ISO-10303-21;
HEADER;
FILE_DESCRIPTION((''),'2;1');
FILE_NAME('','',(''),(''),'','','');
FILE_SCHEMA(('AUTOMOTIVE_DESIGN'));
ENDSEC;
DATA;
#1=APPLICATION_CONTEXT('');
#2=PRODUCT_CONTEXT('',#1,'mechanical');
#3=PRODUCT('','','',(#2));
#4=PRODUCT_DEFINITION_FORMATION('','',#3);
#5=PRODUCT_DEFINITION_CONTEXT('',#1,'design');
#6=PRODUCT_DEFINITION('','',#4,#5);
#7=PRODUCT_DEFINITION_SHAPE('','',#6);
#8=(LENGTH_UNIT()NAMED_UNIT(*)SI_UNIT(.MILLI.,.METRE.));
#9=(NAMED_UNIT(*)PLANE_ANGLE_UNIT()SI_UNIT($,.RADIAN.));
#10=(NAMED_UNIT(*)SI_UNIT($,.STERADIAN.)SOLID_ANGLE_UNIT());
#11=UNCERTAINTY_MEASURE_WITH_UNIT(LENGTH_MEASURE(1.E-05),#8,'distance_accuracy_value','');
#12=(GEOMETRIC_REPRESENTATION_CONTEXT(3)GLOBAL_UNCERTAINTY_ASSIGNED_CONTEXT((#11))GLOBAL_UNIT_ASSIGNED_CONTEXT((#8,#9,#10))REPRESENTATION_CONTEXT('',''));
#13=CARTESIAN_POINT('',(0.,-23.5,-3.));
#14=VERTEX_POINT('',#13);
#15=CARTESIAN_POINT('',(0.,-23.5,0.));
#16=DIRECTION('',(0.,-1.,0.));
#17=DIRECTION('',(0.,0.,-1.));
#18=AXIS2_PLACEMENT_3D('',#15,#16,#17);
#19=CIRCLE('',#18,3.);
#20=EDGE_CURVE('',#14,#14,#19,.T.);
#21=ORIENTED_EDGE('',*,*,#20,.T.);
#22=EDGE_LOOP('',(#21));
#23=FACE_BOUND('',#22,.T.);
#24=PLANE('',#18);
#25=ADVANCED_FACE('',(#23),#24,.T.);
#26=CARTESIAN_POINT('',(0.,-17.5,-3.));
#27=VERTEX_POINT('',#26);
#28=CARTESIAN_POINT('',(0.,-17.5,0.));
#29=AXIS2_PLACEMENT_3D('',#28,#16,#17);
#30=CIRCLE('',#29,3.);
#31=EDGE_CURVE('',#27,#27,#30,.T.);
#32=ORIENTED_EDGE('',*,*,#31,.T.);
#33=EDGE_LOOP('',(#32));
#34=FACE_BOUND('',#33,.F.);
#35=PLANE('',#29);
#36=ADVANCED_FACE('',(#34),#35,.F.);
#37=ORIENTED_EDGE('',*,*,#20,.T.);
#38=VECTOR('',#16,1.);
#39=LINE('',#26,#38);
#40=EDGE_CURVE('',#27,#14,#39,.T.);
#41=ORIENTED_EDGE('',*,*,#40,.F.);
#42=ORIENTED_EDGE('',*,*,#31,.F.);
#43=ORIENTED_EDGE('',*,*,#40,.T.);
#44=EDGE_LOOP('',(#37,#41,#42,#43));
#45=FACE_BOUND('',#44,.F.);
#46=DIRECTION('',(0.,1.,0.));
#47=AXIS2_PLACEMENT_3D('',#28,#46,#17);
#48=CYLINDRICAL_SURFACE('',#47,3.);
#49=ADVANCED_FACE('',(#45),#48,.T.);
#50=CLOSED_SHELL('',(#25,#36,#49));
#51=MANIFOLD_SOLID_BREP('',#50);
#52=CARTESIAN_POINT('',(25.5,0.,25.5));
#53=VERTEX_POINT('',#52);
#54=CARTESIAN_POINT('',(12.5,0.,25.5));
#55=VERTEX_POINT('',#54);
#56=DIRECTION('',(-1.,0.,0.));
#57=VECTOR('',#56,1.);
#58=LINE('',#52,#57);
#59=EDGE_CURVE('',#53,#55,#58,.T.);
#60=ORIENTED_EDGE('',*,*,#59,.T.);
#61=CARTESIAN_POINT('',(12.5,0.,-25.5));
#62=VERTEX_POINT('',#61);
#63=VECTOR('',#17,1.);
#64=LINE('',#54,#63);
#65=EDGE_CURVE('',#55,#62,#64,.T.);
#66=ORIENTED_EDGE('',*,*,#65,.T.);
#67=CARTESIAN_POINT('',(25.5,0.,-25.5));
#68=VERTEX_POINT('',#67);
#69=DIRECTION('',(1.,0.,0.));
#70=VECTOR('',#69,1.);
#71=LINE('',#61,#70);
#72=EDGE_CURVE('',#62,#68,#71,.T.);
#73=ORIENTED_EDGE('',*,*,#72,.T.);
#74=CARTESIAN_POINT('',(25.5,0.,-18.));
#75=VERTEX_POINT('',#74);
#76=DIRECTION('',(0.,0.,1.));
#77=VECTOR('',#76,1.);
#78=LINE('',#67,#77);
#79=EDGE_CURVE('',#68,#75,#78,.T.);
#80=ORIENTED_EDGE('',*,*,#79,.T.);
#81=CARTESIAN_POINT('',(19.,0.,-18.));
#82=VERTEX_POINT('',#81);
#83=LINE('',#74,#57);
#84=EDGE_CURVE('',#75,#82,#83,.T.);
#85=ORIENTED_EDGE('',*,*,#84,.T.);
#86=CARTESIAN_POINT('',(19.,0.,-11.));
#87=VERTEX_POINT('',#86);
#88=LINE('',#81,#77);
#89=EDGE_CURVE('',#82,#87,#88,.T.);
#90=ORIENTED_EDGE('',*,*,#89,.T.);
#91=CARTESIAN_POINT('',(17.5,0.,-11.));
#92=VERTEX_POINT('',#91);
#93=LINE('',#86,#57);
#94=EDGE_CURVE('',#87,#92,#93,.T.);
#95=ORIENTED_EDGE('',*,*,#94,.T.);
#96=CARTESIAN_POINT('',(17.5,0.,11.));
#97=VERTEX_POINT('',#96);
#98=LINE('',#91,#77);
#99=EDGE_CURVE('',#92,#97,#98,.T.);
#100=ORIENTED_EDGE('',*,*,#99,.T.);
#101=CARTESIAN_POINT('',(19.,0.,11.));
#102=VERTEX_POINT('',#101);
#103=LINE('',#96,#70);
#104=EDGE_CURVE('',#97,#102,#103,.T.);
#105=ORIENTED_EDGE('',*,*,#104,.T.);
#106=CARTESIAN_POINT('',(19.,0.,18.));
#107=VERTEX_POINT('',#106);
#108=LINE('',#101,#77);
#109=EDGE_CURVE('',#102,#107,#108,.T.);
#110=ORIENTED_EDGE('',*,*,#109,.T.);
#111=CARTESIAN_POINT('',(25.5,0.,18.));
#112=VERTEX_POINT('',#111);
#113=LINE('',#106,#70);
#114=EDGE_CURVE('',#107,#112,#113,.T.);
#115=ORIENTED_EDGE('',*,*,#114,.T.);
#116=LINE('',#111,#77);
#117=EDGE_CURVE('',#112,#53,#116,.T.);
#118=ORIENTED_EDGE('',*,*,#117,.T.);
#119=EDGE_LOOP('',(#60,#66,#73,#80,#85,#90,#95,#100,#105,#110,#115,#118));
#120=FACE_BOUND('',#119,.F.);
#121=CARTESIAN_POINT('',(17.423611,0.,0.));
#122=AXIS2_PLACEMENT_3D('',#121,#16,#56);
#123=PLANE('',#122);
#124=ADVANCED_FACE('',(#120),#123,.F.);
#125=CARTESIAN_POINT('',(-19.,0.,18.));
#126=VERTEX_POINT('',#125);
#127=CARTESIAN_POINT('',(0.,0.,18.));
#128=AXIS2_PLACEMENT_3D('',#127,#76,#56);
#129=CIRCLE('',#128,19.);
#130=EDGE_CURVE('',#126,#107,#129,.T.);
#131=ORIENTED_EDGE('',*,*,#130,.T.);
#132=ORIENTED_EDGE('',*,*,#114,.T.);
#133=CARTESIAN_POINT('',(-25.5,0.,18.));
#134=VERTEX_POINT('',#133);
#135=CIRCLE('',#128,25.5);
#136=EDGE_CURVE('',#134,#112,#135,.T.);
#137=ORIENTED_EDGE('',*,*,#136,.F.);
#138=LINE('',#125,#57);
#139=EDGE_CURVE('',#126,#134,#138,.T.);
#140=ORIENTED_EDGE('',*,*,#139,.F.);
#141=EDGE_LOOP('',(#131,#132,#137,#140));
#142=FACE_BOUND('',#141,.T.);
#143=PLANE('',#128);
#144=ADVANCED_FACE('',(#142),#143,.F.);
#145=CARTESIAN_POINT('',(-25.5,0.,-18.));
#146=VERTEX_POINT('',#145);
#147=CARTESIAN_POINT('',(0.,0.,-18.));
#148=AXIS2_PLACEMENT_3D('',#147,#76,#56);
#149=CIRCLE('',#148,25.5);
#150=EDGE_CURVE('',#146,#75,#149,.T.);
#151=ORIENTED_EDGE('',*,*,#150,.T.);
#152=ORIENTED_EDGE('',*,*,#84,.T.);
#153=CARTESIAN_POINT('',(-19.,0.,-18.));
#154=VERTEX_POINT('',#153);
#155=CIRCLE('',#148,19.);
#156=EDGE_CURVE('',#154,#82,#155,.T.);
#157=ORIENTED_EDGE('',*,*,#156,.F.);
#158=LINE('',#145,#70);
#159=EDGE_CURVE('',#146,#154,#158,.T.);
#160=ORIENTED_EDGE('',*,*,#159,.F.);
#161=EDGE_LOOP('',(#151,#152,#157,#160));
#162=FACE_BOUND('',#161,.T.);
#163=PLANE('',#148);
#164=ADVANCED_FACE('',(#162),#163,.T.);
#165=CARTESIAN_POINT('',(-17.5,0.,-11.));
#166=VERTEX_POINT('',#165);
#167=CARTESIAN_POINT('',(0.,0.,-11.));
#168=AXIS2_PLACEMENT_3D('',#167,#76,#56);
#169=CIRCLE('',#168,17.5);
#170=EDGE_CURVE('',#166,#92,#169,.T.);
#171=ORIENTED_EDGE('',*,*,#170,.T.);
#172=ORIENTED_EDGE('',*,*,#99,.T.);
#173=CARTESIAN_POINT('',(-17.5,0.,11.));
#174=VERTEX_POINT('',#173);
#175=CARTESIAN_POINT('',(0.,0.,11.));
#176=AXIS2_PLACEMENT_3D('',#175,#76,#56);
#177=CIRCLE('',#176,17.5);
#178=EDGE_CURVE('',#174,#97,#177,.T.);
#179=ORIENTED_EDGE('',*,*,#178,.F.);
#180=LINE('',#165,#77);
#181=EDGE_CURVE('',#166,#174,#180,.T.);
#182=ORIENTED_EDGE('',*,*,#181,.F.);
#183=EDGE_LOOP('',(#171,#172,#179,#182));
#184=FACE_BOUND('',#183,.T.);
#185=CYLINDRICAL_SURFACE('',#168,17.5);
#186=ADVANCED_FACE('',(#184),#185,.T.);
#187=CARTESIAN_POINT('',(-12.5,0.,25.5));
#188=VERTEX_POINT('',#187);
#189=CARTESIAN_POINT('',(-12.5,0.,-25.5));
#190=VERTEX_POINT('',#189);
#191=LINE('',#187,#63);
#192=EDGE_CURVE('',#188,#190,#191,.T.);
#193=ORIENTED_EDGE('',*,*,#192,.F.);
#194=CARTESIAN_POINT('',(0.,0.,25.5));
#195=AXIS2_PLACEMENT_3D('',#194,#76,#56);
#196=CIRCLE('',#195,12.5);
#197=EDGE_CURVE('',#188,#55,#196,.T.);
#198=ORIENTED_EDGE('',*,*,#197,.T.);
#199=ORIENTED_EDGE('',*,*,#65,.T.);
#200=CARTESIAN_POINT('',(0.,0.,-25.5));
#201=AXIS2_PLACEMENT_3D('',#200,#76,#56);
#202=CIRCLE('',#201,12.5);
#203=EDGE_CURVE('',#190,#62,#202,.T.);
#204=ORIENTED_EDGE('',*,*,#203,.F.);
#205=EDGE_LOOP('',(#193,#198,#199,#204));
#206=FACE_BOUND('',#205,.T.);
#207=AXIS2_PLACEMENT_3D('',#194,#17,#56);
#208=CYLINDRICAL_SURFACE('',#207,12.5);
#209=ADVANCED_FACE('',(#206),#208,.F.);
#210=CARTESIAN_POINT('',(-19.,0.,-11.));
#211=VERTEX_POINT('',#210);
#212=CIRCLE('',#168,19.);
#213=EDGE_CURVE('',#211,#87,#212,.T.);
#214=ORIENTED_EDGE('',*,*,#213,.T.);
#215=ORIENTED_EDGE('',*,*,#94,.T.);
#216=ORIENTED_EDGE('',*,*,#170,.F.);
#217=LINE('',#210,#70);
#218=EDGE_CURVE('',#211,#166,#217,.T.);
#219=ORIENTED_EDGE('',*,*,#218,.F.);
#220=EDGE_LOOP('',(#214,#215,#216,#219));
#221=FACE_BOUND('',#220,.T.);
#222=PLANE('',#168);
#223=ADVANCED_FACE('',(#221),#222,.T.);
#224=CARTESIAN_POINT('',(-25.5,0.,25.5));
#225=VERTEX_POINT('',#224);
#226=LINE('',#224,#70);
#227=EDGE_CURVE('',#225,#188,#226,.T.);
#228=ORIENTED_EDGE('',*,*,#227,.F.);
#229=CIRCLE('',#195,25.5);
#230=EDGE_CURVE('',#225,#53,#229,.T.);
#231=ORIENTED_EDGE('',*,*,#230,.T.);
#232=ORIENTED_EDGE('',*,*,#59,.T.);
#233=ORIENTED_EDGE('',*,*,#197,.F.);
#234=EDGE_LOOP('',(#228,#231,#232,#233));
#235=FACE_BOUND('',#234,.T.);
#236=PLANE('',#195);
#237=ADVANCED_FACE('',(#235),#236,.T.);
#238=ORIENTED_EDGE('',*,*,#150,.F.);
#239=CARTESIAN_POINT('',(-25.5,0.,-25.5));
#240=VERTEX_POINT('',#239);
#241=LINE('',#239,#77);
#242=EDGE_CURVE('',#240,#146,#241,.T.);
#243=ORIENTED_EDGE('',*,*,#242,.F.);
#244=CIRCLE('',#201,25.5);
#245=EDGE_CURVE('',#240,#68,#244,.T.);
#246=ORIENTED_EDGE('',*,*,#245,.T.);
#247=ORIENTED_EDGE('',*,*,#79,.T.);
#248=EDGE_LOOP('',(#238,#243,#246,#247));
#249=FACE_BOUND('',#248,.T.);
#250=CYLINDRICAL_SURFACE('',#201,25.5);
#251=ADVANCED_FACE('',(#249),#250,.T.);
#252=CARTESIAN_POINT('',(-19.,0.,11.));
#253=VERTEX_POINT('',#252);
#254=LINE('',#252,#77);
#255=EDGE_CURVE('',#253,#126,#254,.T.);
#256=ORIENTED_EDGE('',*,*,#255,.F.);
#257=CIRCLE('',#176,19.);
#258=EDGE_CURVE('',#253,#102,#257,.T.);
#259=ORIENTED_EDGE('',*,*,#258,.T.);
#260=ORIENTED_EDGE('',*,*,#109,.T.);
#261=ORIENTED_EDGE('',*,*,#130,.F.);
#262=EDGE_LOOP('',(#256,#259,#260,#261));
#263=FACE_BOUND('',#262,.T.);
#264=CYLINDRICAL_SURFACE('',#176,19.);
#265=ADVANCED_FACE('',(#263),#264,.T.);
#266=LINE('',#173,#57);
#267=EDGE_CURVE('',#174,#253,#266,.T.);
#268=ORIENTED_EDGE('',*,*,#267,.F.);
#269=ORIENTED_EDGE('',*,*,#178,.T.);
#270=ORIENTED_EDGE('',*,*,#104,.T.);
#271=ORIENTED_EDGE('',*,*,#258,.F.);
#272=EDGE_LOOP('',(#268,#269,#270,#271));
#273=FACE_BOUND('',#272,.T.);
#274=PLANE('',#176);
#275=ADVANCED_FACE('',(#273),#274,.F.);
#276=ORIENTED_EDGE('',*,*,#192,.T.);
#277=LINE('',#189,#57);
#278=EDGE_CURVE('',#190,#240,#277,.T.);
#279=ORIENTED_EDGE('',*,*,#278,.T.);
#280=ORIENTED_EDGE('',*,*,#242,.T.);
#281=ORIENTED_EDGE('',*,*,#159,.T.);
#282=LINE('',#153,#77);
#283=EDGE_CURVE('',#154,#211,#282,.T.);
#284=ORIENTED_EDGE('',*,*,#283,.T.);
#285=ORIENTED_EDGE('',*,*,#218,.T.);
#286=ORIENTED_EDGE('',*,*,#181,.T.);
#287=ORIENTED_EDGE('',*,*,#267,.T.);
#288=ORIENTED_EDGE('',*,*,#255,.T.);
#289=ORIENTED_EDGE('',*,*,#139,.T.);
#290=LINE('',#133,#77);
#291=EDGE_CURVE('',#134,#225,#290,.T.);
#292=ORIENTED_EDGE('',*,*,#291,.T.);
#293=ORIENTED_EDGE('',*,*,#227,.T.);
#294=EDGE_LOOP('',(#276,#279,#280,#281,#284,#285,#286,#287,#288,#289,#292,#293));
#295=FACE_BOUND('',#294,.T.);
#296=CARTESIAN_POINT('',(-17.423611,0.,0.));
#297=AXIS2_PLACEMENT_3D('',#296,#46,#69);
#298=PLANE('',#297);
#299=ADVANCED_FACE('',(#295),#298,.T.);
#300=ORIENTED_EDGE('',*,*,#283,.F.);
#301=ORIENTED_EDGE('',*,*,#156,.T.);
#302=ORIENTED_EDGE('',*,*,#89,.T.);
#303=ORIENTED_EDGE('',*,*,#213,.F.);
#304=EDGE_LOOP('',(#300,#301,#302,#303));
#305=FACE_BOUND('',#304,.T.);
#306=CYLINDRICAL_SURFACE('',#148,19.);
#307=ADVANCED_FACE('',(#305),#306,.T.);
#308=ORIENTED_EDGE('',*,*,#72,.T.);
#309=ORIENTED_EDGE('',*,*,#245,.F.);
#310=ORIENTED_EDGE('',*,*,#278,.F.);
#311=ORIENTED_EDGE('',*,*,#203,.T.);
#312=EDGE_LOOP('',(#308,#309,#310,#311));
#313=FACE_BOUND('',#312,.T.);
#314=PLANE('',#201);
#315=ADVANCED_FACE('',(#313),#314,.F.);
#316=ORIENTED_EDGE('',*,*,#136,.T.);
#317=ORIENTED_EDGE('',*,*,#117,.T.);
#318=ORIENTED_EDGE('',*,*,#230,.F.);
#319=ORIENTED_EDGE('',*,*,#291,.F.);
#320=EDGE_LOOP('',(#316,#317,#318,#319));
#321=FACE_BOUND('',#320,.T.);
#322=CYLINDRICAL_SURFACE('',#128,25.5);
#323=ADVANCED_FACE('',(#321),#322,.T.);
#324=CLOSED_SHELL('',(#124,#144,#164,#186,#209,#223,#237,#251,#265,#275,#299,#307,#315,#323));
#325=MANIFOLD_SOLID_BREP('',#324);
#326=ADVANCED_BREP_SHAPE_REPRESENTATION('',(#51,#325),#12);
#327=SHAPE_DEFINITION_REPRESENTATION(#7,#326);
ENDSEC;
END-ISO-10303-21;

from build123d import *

# Parameters (mm, degrees)
REVOLVE1_ANGLE      = 180
SKETCH2_R           = 3
BOSS_EXTRUDE1_DEPTH = 6


with BuildPart() as part:
    # Sketch1 → Revolve1 (revolve)
    with BuildSketch(Plane(origin=(0, 0, 0), x_dir=(1, 0, 0), z_dir=(0, 1, 0))):
        Polygon((-25.5, 25.5), (-25.5, 18), (-19, 18), (-19, 11), (-17.5, 11), (-17.5, -11), (-19, -11), (-19, -18), (-25.5, -18), (-25.5, -25.5), (-12.5, -25.5), (-12.5, 25.5), align=None)
    revolve(axis=Axis((0, 0, 0), (0, 0, 1)), revolution_arc=REVOLVE1_ANGLE)


with BuildPart() as body_2:
    # Sketch2 → Boss-Extrude1 (new body)
    with BuildSketch(Plane(origin=(0, -17.5, 0), x_dir=(-1, 0, 0), z_dir=(0, -1, 0))):
        with Locations(Location((0, 0, 0), (0, 0, 90))):  # turned: the seam where the file's is
            Circle(SKETCH2_R)
    extrude(amount=BOSS_EXTRUDE1_DEPTH)


solid = Compound([part.part, body_2.part])
